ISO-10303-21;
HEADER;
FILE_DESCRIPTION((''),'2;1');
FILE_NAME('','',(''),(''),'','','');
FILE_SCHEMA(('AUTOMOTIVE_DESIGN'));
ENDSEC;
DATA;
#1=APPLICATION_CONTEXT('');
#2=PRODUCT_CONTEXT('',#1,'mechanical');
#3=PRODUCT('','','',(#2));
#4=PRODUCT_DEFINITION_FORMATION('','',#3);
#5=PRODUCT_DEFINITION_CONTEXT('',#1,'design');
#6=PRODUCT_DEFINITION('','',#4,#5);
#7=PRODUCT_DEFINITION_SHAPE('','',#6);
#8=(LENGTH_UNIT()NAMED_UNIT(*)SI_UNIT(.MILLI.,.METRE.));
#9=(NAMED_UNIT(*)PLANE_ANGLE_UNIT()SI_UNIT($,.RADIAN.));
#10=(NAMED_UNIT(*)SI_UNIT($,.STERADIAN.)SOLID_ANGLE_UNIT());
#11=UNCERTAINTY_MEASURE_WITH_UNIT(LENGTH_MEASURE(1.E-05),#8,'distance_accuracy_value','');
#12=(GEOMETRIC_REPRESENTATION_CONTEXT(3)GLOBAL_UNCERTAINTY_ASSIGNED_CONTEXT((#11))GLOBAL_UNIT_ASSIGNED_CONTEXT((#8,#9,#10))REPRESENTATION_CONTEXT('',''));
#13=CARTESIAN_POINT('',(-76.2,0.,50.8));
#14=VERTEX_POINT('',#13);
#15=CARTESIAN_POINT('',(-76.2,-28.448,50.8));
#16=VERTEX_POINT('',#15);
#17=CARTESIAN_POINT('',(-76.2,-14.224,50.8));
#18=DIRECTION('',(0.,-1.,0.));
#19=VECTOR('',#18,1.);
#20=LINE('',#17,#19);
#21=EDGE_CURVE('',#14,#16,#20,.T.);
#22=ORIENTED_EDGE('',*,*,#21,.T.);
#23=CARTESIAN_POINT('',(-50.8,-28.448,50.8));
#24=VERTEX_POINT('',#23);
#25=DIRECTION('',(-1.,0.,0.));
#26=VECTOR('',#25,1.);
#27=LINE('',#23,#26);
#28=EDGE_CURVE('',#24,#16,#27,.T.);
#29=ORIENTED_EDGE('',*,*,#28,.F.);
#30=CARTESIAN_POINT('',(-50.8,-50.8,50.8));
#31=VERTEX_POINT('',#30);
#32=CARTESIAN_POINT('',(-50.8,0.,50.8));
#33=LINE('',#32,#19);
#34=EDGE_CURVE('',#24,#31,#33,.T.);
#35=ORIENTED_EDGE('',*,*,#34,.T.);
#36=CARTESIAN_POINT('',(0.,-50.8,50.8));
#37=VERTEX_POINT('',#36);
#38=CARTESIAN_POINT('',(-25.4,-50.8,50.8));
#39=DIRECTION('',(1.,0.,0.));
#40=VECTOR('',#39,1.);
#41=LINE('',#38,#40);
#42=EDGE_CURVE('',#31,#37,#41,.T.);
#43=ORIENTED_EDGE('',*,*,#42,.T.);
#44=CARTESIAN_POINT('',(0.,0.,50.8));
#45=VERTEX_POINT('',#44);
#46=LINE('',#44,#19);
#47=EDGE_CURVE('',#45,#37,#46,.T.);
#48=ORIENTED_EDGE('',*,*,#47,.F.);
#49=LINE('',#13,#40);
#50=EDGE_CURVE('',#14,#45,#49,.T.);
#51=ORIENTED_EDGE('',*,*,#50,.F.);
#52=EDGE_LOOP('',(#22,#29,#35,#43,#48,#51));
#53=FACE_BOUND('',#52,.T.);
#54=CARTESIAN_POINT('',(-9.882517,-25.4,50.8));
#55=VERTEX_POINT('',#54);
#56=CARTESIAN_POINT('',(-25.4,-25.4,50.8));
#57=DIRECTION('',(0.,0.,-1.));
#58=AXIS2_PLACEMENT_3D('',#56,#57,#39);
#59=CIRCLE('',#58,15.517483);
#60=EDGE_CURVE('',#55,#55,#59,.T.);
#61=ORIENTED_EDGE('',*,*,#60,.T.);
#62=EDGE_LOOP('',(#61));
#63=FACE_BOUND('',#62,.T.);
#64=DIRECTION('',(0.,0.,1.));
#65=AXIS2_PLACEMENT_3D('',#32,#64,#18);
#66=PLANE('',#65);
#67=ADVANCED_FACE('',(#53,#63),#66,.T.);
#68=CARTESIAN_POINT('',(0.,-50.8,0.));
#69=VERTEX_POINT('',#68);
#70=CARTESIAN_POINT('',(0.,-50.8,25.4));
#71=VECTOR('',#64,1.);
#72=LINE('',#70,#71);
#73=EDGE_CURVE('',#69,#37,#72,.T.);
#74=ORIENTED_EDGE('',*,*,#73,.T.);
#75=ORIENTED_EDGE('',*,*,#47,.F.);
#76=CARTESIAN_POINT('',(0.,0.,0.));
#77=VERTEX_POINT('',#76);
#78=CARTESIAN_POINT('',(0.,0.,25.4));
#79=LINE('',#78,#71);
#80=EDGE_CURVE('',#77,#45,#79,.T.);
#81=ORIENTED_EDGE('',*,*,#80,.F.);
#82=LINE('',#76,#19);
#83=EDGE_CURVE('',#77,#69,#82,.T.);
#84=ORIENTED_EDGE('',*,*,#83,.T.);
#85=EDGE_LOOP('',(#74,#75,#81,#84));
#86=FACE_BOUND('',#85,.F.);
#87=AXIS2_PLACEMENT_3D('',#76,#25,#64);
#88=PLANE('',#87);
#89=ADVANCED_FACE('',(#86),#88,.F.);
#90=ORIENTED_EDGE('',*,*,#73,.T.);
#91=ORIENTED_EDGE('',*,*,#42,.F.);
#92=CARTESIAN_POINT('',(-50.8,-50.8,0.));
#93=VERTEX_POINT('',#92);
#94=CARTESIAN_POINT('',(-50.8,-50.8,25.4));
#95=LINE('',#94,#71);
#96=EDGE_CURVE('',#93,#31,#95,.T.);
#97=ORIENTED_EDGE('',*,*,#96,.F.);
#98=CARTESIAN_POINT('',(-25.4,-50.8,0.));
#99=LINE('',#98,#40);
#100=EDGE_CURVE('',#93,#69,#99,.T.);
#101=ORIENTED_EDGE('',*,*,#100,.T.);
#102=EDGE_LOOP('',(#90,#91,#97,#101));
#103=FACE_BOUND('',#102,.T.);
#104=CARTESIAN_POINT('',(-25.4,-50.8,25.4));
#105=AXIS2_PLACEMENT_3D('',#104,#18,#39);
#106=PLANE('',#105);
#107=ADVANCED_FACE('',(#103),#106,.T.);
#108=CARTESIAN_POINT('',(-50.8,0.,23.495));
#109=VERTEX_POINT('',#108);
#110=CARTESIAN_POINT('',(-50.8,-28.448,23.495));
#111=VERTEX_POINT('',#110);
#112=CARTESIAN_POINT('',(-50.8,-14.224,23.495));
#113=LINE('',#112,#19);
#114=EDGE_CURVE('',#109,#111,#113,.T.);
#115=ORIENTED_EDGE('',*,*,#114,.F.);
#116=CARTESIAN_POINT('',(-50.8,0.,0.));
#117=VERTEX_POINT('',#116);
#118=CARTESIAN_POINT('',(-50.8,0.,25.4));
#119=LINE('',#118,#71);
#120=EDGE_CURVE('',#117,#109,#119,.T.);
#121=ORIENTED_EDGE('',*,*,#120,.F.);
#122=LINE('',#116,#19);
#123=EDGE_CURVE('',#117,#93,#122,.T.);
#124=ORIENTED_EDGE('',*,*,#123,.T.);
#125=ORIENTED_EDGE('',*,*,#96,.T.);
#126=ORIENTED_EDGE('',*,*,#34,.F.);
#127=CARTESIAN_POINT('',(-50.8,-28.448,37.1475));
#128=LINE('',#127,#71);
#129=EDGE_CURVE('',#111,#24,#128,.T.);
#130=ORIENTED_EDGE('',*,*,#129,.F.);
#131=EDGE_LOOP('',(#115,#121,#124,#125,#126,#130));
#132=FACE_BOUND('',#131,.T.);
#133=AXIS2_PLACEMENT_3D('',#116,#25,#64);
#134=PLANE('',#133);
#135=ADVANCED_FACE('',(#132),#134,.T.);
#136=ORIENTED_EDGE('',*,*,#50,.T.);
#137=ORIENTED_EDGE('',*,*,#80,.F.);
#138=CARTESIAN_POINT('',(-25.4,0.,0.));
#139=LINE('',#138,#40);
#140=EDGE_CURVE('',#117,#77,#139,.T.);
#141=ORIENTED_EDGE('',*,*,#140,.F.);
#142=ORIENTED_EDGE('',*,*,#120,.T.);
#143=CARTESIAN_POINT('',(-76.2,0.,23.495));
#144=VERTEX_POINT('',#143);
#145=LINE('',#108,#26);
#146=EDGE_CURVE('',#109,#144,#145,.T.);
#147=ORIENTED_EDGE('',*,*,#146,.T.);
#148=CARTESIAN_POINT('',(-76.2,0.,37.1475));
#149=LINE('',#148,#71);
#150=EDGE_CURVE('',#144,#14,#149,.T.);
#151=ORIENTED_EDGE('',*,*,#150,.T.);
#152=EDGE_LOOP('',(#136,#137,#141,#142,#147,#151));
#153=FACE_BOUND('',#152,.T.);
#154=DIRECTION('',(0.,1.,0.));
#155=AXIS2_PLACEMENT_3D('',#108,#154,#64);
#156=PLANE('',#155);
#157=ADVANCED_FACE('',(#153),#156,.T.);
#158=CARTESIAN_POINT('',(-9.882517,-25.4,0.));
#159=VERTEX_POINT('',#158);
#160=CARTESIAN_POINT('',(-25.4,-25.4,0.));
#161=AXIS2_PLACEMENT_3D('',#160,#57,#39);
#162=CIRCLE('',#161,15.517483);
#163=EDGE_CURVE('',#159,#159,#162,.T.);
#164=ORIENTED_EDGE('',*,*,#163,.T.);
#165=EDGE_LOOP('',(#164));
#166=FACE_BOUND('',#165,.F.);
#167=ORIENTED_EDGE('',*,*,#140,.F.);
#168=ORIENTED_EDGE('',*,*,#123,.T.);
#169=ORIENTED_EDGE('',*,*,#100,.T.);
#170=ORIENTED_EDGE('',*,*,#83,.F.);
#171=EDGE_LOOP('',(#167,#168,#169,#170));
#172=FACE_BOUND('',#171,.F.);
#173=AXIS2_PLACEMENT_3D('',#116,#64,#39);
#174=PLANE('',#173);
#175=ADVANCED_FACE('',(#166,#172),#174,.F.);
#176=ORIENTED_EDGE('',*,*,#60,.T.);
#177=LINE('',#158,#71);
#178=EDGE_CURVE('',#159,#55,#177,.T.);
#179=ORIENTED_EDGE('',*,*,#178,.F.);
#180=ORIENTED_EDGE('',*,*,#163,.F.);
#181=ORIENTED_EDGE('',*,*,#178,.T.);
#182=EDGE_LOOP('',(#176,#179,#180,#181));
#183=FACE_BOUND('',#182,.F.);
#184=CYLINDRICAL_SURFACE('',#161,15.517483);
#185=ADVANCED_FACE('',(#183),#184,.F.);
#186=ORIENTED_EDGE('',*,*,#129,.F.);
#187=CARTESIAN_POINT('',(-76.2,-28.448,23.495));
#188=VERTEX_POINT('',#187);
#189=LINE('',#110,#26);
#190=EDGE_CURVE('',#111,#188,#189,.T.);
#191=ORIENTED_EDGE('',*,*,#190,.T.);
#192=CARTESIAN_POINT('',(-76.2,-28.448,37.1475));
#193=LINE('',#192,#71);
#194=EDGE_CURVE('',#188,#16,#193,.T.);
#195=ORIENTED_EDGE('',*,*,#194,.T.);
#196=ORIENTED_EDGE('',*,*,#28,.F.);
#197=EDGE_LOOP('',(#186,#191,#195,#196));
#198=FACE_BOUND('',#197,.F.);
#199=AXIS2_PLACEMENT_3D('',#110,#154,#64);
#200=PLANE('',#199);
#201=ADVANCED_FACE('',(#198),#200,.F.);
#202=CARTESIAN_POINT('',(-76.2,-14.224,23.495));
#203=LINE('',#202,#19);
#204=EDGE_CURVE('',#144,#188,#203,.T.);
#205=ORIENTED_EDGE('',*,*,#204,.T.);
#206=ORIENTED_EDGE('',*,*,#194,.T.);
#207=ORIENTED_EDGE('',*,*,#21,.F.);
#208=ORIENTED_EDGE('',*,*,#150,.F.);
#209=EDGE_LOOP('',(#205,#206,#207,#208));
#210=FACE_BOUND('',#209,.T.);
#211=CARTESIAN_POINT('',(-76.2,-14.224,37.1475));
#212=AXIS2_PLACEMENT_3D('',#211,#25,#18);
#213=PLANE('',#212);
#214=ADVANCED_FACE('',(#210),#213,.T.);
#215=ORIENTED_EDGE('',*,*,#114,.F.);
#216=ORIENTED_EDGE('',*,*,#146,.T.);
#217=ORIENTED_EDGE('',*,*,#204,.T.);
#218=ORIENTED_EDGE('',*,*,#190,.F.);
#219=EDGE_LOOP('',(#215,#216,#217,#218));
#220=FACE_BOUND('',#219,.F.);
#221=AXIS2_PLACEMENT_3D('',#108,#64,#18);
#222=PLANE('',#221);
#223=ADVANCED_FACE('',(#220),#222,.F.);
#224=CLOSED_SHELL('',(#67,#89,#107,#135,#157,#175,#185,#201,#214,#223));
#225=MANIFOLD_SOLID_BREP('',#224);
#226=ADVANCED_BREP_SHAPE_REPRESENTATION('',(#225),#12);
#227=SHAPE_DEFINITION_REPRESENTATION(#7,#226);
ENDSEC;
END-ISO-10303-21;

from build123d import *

# Parameters (mm, degrees)
F0_W     = 50.8
F0_H     = 50.8
F1_DEPTH = 50.8
F2_W     = 28.448
F2_H     = 27.305
F3_DEPTH = 25.4
F4_R     = 15.517483
F5_DEPTH = 50.8


with BuildPart() as f1:
    # F0 (on Front) → F1 (new body)
    with BuildSketch(Plane.XZ):
        with Locations((-25.4, 25.4)):
            Rectangle(F0_W, F0_H)
    extrude(amount=F1_DEPTH)

    # F2 (on face) → F3 (join)
    with BuildSketch(Plane(origin=(-50.8, 0, 0), x_dir=(0, -1, 0), z_dir=(-1, 0, 0))):
        with Locations((14.224, 37.1475)):
            Rectangle(F2_W, F2_H)
    extrude(amount=F3_DEPTH)

    # F4 (on face) → F5 (cut)
    with BuildSketch(Plane(origin=(0, 0, 0), x_dir=(1, 0, 0), z_dir=(0, 0, -1))):
        with Locations((-25.4, 25.4)):
            Circle(F4_R)
    extrude(amount=-F5_DEPTH, mode=Mode.SUBTRACT)


solid = f1.part
